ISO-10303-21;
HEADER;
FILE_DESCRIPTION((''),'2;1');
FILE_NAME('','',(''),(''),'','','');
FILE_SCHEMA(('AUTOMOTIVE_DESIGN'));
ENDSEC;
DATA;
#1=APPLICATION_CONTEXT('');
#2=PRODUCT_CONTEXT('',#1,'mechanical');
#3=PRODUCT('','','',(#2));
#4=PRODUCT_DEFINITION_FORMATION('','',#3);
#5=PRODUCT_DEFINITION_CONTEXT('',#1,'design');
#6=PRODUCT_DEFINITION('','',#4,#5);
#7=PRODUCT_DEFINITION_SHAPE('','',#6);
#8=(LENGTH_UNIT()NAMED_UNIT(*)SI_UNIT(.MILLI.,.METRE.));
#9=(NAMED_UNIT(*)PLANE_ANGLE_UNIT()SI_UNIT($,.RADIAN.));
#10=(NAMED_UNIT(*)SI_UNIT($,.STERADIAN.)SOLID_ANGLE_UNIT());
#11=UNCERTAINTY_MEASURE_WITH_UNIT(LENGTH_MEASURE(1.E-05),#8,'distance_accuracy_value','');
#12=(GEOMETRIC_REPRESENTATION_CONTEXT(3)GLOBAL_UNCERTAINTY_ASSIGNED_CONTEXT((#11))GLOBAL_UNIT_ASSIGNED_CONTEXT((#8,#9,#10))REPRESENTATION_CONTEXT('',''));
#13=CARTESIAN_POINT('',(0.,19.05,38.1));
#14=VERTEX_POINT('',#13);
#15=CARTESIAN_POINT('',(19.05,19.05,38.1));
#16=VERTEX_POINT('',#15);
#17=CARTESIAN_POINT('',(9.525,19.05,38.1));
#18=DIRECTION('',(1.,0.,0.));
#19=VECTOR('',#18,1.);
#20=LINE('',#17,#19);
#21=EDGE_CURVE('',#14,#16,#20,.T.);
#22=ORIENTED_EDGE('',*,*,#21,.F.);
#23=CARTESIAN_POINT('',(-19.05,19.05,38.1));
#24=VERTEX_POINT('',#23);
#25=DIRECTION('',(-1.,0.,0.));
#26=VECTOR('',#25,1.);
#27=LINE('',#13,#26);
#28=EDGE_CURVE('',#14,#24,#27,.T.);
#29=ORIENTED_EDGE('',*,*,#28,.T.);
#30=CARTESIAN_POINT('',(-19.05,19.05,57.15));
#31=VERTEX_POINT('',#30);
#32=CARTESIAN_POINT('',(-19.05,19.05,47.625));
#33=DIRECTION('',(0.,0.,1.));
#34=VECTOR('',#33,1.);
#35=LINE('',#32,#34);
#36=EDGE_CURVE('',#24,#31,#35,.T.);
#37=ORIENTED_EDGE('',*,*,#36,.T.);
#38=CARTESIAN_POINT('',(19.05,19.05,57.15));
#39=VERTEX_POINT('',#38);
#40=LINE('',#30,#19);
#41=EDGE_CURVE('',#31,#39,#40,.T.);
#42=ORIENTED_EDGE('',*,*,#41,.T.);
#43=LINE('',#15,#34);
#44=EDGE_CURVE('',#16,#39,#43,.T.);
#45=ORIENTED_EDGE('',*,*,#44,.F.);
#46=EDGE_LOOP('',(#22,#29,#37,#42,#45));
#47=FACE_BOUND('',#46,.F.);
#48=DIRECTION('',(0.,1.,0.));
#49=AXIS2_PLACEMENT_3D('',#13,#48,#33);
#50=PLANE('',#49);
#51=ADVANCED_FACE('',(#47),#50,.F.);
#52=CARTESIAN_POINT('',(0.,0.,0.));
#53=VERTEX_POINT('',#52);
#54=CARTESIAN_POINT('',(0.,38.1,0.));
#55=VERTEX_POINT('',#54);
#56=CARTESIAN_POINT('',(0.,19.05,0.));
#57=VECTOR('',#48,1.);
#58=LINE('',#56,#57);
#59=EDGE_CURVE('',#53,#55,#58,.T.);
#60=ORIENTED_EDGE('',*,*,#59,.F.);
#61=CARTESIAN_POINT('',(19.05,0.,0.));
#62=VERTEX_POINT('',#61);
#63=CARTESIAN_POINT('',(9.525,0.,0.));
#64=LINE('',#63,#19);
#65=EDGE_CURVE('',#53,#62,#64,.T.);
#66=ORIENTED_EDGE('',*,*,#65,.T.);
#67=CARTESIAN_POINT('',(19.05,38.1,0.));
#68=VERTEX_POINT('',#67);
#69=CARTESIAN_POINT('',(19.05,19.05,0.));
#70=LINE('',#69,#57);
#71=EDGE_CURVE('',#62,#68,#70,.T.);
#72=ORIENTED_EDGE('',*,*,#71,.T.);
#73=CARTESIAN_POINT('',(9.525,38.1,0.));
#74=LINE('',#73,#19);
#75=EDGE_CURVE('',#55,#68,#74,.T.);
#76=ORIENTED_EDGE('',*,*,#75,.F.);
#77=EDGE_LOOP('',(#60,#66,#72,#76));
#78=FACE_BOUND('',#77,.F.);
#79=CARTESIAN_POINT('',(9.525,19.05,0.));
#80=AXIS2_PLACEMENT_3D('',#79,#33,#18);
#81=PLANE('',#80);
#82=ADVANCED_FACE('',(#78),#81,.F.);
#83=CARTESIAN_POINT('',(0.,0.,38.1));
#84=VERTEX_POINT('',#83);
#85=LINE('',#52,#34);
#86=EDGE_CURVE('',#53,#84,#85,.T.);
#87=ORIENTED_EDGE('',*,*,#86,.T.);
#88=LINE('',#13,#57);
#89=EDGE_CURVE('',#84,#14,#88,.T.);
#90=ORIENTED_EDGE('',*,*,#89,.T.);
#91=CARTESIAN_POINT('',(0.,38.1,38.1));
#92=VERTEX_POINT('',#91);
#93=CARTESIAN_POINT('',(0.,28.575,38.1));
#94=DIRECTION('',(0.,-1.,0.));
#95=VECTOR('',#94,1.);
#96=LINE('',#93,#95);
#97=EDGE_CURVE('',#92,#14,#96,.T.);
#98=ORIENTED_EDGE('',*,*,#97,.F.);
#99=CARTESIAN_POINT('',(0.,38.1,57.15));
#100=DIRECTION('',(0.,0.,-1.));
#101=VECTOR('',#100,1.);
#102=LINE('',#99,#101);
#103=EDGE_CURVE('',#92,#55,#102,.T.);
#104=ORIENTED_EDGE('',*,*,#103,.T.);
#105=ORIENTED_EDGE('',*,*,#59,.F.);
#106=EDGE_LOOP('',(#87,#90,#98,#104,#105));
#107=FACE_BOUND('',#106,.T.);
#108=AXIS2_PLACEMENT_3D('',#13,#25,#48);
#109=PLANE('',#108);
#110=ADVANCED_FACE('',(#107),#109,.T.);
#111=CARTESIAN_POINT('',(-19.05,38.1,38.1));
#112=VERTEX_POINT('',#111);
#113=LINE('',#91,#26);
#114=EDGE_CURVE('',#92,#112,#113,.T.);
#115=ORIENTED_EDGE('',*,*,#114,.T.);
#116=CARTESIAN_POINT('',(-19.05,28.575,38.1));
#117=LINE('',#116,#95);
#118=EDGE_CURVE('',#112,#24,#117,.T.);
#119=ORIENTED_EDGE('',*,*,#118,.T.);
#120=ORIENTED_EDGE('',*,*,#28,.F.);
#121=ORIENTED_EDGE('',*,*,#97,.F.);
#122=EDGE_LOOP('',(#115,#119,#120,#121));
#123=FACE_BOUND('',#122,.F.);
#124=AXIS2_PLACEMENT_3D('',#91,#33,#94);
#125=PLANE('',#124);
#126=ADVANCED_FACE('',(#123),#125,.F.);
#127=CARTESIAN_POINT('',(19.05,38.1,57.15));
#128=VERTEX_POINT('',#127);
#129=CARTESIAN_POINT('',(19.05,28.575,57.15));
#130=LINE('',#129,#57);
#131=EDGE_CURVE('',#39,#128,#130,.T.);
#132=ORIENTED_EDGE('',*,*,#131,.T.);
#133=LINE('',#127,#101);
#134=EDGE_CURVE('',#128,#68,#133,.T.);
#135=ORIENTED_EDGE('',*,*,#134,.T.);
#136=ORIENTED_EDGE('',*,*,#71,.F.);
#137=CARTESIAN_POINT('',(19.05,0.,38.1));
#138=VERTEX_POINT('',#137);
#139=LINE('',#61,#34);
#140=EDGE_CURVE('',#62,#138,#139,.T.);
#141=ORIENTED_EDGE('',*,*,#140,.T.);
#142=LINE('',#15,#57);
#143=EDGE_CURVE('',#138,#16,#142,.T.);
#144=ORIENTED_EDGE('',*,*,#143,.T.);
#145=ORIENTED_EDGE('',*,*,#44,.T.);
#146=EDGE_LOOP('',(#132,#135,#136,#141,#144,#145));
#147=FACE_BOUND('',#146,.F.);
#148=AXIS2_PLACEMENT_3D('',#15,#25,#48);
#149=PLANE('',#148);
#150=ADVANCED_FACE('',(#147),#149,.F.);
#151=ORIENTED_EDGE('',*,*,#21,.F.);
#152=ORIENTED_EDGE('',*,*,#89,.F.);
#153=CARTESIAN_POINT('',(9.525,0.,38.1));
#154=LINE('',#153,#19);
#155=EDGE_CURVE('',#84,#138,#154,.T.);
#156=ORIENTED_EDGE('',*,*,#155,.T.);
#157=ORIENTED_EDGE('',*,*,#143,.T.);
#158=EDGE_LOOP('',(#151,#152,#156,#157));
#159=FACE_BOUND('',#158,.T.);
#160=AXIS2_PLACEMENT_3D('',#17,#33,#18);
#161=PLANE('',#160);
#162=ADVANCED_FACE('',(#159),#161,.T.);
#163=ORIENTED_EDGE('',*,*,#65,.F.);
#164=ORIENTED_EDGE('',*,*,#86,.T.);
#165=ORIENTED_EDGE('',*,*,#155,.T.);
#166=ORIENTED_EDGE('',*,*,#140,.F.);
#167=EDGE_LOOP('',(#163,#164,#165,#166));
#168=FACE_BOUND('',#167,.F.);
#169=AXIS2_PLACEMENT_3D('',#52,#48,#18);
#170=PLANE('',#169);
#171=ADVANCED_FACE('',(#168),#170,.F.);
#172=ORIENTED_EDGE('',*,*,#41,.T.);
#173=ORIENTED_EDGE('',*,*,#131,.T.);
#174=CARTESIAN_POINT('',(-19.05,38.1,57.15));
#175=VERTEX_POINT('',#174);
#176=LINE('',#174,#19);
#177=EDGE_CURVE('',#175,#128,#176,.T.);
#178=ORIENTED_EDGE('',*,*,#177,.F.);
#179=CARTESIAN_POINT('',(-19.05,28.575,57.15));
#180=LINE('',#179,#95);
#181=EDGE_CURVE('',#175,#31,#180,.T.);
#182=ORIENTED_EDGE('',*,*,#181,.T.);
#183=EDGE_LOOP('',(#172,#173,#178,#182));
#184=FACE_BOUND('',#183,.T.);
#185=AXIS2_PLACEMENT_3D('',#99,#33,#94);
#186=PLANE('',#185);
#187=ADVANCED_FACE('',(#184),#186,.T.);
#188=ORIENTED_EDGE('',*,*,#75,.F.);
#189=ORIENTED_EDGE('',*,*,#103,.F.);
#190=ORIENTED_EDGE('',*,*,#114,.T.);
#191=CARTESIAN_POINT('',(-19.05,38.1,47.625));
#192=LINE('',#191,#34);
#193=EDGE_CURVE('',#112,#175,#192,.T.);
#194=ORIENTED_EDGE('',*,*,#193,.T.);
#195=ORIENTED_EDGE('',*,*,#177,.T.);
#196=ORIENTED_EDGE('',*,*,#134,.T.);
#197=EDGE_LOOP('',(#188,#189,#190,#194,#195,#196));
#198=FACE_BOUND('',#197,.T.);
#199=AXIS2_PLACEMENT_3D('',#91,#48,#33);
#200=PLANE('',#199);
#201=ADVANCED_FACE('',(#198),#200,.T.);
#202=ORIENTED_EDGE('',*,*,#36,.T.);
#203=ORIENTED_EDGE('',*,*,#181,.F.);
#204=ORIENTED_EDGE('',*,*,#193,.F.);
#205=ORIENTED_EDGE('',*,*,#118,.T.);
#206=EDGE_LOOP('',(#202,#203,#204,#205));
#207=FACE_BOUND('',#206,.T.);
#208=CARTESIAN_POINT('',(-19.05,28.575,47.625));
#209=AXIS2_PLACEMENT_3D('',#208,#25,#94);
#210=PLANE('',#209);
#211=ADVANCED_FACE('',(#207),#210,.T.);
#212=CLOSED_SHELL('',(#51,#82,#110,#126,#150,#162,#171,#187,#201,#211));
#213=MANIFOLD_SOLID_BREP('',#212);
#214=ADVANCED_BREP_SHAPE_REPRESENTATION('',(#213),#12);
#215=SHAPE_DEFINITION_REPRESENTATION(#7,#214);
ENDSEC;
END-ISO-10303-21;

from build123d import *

# Parameters (mm, degrees)
F0_W     = 19.05
F0_H     = 38.1
F1_DEPTH = 38.1
F2_W     = 19.05
F2_H     = 19.05
F3_DEPTH = 19.05
F4_W     = 19.05
F4_H     = 19.05
F5_DEPTH = 19.05


with BuildPart() as f1:
    # F0 (on Top) → F1 (new body)
    with BuildSketch(Plane.XY):
        with Locations((9.525, 19.05)):
            Rectangle(F0_W, F0_H)
    extrude(amount=F1_DEPTH)

    # F2 (on face) → F3 (join)
    with BuildSketch(Plane.XY.offset(38.1)):
        with Locations((9.525, 28.575)):
            Rectangle(F2_W, F2_H)
    extrude(amount=F3_DEPTH)

    # F4 (on face) → F5 (join)
    with BuildSketch(Plane(origin=(0, 0, 0), x_dir=(0, -1, 0), z_dir=(-1, 0, 0))):
        with Locations((-28.575, 47.625)):
            Rectangle(F4_W, F4_H)
    extrude(amount=F5_DEPTH)


solid = f1.part
